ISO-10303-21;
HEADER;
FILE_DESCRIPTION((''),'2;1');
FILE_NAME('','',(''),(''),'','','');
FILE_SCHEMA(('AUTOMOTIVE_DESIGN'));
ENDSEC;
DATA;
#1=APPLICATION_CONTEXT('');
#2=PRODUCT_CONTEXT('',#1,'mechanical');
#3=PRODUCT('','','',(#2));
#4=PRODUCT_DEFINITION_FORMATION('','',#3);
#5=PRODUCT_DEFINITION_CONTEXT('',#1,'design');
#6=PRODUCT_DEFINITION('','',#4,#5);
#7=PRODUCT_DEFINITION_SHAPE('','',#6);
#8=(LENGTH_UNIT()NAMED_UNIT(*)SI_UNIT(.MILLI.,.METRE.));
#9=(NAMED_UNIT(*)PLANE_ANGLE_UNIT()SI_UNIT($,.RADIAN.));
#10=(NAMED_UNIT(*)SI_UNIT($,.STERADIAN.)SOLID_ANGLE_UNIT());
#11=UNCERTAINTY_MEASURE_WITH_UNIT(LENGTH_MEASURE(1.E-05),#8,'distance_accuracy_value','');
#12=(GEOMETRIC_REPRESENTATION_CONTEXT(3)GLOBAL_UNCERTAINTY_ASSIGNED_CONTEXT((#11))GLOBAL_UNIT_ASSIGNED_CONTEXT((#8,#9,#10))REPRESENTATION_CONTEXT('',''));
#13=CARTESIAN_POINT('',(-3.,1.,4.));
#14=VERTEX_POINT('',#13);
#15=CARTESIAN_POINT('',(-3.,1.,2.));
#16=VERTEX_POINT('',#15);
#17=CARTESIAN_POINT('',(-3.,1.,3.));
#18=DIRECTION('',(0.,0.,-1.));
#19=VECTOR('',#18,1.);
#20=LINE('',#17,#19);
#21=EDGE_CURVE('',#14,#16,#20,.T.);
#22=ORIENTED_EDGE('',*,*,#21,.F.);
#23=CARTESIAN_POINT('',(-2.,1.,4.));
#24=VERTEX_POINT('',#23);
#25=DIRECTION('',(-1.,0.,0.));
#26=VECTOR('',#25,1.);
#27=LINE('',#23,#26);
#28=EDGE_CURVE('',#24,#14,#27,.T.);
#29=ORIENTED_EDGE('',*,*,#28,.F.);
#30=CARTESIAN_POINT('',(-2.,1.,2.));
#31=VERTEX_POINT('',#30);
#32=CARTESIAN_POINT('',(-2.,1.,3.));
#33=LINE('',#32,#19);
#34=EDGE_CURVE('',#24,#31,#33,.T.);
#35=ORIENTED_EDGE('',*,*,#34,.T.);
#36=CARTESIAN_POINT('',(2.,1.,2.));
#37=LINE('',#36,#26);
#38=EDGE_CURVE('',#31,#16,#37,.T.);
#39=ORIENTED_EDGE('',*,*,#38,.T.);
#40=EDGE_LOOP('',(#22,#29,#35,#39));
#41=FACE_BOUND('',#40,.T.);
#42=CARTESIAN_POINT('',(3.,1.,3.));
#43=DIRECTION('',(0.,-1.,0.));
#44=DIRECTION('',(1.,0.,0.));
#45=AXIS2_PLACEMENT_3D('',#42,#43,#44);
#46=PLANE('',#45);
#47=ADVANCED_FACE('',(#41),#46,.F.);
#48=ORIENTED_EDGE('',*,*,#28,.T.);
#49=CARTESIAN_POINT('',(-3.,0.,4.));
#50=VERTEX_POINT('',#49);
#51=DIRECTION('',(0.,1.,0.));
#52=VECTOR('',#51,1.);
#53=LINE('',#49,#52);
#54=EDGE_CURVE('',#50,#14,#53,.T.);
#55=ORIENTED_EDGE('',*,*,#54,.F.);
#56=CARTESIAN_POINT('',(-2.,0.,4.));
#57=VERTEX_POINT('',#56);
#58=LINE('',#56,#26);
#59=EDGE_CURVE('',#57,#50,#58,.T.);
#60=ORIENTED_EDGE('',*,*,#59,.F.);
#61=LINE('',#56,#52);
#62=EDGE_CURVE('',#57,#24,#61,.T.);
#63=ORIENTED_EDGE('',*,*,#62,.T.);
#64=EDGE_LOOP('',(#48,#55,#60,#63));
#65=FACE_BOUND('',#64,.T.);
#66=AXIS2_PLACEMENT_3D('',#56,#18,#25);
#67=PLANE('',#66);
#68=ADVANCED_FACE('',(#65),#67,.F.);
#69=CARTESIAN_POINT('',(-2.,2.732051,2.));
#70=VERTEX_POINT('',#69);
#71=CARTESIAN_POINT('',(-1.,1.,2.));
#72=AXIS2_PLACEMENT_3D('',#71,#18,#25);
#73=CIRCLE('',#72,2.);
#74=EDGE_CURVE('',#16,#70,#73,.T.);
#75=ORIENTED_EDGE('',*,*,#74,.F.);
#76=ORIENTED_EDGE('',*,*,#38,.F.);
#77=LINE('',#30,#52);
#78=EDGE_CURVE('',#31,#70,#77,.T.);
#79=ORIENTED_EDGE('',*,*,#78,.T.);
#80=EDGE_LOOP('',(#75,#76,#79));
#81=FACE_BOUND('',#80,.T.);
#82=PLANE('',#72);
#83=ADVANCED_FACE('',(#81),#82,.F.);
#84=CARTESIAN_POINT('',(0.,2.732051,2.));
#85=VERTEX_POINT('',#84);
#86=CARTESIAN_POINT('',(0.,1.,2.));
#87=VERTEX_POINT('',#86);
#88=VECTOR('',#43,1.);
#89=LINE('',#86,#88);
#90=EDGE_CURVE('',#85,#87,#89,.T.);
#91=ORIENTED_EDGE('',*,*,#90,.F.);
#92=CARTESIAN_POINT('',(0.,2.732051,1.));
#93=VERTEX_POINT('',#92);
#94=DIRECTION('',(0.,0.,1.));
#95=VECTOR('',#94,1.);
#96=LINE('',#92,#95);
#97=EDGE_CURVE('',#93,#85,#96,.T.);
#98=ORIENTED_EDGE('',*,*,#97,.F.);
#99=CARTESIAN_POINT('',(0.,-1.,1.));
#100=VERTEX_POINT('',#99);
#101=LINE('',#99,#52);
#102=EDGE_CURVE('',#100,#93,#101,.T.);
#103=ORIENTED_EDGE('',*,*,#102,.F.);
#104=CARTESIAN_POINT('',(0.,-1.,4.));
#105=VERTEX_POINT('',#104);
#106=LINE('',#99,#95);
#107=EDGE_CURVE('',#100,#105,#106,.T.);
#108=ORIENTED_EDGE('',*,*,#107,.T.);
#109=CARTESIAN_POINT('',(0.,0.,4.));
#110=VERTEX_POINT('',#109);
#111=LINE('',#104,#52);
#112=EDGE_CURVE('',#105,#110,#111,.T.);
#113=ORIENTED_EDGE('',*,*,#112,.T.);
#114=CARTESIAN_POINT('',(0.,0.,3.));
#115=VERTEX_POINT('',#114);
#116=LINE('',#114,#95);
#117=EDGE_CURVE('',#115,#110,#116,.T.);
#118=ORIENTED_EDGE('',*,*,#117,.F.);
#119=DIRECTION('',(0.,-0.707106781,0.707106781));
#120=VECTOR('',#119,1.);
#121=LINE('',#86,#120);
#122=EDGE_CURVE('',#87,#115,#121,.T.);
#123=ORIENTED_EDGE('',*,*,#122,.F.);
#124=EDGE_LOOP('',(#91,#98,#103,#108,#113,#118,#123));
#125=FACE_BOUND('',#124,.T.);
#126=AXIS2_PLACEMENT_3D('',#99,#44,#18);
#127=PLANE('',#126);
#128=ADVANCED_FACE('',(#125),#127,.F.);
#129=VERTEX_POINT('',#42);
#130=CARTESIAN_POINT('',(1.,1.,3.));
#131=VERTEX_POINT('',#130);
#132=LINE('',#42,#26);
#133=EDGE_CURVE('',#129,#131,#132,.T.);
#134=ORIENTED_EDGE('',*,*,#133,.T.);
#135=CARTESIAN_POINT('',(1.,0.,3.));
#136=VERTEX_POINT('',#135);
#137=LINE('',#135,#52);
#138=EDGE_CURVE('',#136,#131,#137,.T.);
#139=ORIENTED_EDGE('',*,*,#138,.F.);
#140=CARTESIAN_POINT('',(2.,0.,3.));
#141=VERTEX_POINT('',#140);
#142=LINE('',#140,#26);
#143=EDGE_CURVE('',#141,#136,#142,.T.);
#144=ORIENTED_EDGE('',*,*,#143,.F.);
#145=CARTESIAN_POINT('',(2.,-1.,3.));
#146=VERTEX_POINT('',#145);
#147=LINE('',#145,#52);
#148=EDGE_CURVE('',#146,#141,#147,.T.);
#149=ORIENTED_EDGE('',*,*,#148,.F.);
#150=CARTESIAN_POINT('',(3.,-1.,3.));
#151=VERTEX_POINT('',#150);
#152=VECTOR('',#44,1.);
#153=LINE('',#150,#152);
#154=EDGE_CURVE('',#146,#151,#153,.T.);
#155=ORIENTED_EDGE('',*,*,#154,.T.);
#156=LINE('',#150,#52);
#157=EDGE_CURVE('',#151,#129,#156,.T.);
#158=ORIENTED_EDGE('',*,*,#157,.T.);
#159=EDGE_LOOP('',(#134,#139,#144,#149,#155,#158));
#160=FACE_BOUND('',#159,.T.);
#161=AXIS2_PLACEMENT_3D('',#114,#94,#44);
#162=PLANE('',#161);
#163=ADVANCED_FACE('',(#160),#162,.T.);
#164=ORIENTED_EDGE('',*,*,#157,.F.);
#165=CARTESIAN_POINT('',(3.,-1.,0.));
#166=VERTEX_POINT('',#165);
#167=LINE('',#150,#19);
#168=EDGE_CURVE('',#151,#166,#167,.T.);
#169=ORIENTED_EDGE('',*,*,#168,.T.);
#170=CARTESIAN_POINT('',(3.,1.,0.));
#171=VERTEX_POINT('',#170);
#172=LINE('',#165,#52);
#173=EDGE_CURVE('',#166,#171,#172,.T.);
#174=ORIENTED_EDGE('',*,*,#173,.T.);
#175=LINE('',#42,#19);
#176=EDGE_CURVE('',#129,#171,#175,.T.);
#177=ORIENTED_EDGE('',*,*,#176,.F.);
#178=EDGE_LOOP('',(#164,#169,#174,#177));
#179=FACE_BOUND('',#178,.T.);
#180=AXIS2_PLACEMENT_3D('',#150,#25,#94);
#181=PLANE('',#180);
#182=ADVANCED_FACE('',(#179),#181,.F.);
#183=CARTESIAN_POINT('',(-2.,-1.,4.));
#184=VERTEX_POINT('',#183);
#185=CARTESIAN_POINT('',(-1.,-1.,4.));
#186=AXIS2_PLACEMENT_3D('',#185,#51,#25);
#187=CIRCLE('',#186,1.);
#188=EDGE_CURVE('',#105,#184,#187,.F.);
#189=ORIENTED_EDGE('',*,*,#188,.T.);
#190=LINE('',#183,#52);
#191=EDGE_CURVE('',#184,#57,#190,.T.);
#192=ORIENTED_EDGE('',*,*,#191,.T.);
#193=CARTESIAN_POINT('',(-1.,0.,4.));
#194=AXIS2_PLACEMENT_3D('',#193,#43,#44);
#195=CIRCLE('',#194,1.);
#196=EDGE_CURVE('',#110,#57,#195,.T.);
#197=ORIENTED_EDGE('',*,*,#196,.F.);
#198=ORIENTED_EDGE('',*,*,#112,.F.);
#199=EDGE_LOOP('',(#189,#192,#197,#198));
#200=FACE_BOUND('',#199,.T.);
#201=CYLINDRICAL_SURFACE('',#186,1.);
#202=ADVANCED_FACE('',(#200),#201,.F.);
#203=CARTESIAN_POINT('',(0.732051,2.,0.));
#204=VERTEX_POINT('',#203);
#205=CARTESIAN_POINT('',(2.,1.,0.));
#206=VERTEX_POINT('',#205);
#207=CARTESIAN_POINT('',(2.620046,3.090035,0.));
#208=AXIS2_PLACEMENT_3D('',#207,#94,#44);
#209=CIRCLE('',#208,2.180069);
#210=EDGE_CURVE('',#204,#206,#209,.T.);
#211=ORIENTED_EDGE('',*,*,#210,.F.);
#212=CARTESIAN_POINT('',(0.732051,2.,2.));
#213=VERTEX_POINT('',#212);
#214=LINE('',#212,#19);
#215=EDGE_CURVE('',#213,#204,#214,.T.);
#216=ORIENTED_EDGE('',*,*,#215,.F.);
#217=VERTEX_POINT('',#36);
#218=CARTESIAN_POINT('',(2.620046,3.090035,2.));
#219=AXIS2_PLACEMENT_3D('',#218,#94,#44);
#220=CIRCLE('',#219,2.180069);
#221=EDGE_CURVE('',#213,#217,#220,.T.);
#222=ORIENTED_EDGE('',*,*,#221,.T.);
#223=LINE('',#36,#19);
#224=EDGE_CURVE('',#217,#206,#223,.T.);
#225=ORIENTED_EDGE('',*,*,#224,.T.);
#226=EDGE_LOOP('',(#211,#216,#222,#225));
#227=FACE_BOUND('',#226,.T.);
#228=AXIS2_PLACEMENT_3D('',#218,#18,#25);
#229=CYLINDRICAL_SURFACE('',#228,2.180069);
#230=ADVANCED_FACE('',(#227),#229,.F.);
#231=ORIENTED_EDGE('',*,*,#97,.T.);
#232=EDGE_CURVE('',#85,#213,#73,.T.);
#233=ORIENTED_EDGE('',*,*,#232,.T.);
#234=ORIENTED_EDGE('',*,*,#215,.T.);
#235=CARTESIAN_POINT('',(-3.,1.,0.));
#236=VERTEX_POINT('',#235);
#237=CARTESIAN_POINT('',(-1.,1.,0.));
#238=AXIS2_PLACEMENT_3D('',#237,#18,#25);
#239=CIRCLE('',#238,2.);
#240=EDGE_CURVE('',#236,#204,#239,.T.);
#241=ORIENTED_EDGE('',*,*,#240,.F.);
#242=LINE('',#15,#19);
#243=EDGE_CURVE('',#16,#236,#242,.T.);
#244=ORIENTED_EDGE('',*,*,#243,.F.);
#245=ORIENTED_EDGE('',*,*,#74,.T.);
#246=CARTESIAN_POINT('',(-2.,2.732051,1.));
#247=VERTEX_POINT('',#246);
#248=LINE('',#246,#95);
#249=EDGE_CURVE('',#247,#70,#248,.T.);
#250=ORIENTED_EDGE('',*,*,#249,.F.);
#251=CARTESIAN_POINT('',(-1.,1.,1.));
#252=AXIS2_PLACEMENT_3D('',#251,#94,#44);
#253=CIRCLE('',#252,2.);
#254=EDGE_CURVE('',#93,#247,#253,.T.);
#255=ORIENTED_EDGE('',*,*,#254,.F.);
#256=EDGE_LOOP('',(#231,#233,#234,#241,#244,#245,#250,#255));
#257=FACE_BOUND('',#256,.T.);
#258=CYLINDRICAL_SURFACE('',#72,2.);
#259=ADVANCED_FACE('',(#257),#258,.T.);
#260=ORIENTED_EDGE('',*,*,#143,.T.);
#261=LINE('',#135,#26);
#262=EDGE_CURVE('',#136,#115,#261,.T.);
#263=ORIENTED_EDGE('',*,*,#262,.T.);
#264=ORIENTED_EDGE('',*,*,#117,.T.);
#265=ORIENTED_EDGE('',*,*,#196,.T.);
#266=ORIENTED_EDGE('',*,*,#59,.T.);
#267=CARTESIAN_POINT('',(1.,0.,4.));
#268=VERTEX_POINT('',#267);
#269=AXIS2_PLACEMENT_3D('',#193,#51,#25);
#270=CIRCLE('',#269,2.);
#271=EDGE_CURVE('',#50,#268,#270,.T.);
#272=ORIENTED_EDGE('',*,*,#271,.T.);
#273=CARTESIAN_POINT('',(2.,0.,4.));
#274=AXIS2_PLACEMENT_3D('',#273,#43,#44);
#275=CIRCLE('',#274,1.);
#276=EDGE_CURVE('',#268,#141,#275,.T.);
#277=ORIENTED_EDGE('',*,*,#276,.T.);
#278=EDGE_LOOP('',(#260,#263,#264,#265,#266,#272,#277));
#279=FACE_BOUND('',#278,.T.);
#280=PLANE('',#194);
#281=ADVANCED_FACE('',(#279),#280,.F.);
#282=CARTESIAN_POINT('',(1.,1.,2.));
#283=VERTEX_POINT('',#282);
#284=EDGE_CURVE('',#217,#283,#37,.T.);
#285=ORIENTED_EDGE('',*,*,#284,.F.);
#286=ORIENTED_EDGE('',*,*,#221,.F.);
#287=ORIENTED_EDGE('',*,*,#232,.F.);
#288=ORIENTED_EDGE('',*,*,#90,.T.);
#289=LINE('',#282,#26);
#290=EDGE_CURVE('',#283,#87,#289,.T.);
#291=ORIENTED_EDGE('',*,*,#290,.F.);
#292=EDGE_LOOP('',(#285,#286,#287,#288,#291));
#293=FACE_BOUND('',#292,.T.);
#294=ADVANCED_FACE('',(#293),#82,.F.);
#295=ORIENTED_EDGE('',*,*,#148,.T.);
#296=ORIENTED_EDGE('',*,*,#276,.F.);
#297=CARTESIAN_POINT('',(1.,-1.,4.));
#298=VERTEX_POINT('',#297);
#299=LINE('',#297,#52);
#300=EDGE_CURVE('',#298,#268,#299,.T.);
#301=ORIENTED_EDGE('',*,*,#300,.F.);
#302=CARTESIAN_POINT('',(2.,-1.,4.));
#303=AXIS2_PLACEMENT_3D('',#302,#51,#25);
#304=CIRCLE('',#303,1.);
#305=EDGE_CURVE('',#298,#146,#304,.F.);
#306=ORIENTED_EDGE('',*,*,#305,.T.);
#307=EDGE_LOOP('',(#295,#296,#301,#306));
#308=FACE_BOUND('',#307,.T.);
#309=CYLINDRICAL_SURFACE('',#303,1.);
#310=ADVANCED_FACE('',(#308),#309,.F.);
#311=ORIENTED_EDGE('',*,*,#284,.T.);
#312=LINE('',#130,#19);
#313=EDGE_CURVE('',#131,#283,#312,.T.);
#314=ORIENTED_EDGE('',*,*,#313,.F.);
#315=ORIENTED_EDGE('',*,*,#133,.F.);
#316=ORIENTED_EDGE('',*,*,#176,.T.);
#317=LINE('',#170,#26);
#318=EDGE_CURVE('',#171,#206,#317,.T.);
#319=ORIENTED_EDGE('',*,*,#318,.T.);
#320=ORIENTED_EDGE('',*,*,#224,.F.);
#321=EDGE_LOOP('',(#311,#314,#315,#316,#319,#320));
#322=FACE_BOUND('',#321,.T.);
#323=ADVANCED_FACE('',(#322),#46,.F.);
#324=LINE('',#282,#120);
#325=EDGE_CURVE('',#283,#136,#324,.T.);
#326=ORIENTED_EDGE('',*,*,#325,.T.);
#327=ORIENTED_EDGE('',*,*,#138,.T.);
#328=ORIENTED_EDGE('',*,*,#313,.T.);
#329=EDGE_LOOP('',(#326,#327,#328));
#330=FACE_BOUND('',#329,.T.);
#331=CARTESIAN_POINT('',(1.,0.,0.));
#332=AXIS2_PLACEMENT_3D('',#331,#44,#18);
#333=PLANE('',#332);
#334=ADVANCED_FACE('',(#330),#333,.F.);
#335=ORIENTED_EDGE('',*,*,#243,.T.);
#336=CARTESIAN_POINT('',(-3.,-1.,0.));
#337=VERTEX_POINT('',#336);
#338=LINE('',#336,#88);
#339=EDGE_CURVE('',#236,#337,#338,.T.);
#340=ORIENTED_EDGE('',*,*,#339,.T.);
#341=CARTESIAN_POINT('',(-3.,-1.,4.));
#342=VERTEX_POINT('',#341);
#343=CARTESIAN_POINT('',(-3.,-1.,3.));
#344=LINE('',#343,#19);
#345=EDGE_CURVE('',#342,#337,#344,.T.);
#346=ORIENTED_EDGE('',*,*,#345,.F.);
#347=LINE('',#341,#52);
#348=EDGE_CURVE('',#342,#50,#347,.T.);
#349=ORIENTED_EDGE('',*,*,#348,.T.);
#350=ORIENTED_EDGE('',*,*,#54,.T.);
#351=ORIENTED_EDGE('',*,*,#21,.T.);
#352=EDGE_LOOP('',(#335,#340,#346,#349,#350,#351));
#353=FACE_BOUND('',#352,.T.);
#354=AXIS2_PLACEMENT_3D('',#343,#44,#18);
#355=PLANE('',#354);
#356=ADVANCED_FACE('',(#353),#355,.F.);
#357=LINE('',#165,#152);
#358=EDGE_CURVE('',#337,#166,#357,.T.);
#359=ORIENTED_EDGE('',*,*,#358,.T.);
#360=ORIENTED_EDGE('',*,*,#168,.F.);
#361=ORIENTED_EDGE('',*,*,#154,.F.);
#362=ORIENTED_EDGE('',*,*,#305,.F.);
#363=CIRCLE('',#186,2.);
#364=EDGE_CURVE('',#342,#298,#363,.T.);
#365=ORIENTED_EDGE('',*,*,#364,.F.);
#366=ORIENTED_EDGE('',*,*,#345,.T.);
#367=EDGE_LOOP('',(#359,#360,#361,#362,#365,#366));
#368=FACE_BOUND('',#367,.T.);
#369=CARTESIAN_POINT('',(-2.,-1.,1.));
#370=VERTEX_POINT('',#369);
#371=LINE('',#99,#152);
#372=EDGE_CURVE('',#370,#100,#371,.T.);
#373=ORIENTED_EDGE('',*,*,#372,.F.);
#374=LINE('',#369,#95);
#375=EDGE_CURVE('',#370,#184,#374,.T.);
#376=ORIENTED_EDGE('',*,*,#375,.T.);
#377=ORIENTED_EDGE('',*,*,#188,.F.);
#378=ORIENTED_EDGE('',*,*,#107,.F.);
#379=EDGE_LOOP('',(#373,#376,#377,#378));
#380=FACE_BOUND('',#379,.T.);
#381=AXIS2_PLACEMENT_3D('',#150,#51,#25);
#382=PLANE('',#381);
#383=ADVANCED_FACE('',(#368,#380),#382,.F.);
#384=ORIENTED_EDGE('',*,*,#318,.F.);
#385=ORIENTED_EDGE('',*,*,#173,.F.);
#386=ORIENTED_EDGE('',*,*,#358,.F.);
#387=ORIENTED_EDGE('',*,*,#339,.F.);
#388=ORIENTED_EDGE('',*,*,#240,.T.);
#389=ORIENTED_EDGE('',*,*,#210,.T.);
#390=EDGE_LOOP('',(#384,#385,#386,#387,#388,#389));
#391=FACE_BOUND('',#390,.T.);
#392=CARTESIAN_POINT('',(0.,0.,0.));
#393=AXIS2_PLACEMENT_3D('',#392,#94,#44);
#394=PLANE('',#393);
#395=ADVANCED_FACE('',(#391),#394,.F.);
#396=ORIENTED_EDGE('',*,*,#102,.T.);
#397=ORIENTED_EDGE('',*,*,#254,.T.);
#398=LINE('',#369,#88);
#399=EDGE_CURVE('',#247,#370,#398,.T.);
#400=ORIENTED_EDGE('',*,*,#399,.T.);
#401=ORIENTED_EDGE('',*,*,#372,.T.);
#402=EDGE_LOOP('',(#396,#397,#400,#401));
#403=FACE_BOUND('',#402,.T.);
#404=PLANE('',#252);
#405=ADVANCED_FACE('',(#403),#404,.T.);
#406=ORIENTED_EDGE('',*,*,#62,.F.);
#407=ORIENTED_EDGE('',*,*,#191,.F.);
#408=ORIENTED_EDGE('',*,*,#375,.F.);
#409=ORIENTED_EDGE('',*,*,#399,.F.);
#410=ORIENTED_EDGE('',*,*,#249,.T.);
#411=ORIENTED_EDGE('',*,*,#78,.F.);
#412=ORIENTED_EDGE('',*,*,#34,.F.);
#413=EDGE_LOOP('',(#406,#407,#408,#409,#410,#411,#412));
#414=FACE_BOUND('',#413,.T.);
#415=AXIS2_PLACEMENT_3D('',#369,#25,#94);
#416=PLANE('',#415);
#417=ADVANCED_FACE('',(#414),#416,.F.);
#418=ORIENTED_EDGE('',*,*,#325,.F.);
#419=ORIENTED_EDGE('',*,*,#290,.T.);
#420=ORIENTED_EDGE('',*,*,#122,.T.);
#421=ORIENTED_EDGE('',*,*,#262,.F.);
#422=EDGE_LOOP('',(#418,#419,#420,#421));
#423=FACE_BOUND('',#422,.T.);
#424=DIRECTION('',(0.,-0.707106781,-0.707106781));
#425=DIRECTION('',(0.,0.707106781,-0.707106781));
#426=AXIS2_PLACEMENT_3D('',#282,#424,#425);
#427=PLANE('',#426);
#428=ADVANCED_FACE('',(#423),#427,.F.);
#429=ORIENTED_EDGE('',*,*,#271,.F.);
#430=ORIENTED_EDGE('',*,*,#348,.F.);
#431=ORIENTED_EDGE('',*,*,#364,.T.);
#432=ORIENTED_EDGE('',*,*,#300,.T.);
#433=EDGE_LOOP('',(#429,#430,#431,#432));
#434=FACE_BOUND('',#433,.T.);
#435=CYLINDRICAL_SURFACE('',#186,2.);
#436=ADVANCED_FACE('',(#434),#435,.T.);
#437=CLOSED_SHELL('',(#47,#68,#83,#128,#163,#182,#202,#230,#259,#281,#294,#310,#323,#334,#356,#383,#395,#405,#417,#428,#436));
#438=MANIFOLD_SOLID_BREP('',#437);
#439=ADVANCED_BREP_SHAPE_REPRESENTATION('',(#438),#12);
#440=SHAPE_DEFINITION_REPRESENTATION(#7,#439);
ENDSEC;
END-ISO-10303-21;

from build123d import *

# Parameters (mm, degrees)
SKETCH1_W           = 6
SKETCH1_H           = 2
BOSS_EXTRUDE2_DEPTH = 3
BOSS_EXTRUDE3_DEPTH = 2
CUT_EXTRUDE2_DEPTH  = 2
CUT_EXTRUDE3_DEPTH  = 1
BOSS_EXTRUDE5_DEPTH = 2
CUT_EXTRUDE4_DEPTH  = 1


with BuildPart() as part:
    # Sketch1 → Boss-Extrude2 (new body)
    with BuildSketch(Plane.XY):
        Rectangle(SKETCH1_W, SKETCH1_H)
    extrude(amount=BOSS_EXTRUDE2_DEPTH)

    # Sketch3 → Boss-Extrude3 (add)
    with BuildSketch(Plane(origin=(0, 0, 0), x_dir=(-1, 0, 0), z_dir=(0, 0, -1))):
        with BuildLine():
            Line((-2, 1), (3, 1))
            ThreePointArc((3, 1), (1.51763809, 2.931851653), (-0.732050808, 2))
            ThreePointArc((-0.732050808, 2), (-1.270020956, 1.378271238), (-2, 1))
        make_face()
    extrude(amount=-BOSS_EXTRUDE3_DEPTH)

    # Sketch4 → Cut-Extrude2 (cut)
    with BuildSketch(Plane.XY.offset(3)):
        with BuildLine():
            Line((0, -1), (0, 2.732050808))
            ThreePointArc((0, 2.732050808), (-1, 3), (-2, 2.732050808))
            Line((-2, 2.732050808), (-2, -1))
            Line((-2, -1), (0, -1))
        make_face()
    extrude(amount=-CUT_EXTRUDE2_DEPTH, mode=Mode.SUBTRACT)

    # Sketch5 → Cut-Extrude3 (cut)
    with BuildSketch(Plane.ZY):
        Polygon((2, 1), (3, 0), (3, 1), align=None)
    extrude(amount=-CUT_EXTRUDE3_DEPTH, mode=Mode.SUBTRACT)

    # Sketch6 → Boss-Extrude5 (add)
    with BuildSketch(Plane(origin=(0, 1, 0), x_dir=(1, 0, 0), z_dir=(0, 1, 0))):
        with BuildLine():
            ThreePointArc((-3, -4), (-1, -6), (1, -4))
            ThreePointArc((1, -4), (1.292893219, -3.292893219), (2, -3))
            Line((2, -3), (0, -3))
            Line((0, -3), (0, -4))
            ThreePointArc((0, -4), (-1, -5), (-2, -4))
            Line((-2, -4), (-2, -3))
            Line((-2, -3), (-3, -3))
            Line((-3, -3), (-3, -4))
        make_face()
    extrude(amount=-BOSS_EXTRUDE5_DEPTH)

    # Sketch7 → Cut-Extrude4 (cut)
    with BuildSketch(Plane(origin=(0, 1, 0), x_dir=(1, 0, 0), z_dir=(0, 1, 0))):
        with BuildLine():
            Line((-2, -4), (-3, -4))
            ThreePointArc((-3, -4), (-1, -6), (1, -4))
            ThreePointArc((1, -4), (1.292893219, -3.292893219), (2, -3))
            Line((2, -3), (0, -3))
            Line((0, -3), (0, -4))
            ThreePointArc((0, -4), (-1, -5), (-2, -4))
        make_face()
    extrude(amount=-CUT_EXTRUDE4_DEPTH, mode=Mode.SUBTRACT)


solid = part.part
